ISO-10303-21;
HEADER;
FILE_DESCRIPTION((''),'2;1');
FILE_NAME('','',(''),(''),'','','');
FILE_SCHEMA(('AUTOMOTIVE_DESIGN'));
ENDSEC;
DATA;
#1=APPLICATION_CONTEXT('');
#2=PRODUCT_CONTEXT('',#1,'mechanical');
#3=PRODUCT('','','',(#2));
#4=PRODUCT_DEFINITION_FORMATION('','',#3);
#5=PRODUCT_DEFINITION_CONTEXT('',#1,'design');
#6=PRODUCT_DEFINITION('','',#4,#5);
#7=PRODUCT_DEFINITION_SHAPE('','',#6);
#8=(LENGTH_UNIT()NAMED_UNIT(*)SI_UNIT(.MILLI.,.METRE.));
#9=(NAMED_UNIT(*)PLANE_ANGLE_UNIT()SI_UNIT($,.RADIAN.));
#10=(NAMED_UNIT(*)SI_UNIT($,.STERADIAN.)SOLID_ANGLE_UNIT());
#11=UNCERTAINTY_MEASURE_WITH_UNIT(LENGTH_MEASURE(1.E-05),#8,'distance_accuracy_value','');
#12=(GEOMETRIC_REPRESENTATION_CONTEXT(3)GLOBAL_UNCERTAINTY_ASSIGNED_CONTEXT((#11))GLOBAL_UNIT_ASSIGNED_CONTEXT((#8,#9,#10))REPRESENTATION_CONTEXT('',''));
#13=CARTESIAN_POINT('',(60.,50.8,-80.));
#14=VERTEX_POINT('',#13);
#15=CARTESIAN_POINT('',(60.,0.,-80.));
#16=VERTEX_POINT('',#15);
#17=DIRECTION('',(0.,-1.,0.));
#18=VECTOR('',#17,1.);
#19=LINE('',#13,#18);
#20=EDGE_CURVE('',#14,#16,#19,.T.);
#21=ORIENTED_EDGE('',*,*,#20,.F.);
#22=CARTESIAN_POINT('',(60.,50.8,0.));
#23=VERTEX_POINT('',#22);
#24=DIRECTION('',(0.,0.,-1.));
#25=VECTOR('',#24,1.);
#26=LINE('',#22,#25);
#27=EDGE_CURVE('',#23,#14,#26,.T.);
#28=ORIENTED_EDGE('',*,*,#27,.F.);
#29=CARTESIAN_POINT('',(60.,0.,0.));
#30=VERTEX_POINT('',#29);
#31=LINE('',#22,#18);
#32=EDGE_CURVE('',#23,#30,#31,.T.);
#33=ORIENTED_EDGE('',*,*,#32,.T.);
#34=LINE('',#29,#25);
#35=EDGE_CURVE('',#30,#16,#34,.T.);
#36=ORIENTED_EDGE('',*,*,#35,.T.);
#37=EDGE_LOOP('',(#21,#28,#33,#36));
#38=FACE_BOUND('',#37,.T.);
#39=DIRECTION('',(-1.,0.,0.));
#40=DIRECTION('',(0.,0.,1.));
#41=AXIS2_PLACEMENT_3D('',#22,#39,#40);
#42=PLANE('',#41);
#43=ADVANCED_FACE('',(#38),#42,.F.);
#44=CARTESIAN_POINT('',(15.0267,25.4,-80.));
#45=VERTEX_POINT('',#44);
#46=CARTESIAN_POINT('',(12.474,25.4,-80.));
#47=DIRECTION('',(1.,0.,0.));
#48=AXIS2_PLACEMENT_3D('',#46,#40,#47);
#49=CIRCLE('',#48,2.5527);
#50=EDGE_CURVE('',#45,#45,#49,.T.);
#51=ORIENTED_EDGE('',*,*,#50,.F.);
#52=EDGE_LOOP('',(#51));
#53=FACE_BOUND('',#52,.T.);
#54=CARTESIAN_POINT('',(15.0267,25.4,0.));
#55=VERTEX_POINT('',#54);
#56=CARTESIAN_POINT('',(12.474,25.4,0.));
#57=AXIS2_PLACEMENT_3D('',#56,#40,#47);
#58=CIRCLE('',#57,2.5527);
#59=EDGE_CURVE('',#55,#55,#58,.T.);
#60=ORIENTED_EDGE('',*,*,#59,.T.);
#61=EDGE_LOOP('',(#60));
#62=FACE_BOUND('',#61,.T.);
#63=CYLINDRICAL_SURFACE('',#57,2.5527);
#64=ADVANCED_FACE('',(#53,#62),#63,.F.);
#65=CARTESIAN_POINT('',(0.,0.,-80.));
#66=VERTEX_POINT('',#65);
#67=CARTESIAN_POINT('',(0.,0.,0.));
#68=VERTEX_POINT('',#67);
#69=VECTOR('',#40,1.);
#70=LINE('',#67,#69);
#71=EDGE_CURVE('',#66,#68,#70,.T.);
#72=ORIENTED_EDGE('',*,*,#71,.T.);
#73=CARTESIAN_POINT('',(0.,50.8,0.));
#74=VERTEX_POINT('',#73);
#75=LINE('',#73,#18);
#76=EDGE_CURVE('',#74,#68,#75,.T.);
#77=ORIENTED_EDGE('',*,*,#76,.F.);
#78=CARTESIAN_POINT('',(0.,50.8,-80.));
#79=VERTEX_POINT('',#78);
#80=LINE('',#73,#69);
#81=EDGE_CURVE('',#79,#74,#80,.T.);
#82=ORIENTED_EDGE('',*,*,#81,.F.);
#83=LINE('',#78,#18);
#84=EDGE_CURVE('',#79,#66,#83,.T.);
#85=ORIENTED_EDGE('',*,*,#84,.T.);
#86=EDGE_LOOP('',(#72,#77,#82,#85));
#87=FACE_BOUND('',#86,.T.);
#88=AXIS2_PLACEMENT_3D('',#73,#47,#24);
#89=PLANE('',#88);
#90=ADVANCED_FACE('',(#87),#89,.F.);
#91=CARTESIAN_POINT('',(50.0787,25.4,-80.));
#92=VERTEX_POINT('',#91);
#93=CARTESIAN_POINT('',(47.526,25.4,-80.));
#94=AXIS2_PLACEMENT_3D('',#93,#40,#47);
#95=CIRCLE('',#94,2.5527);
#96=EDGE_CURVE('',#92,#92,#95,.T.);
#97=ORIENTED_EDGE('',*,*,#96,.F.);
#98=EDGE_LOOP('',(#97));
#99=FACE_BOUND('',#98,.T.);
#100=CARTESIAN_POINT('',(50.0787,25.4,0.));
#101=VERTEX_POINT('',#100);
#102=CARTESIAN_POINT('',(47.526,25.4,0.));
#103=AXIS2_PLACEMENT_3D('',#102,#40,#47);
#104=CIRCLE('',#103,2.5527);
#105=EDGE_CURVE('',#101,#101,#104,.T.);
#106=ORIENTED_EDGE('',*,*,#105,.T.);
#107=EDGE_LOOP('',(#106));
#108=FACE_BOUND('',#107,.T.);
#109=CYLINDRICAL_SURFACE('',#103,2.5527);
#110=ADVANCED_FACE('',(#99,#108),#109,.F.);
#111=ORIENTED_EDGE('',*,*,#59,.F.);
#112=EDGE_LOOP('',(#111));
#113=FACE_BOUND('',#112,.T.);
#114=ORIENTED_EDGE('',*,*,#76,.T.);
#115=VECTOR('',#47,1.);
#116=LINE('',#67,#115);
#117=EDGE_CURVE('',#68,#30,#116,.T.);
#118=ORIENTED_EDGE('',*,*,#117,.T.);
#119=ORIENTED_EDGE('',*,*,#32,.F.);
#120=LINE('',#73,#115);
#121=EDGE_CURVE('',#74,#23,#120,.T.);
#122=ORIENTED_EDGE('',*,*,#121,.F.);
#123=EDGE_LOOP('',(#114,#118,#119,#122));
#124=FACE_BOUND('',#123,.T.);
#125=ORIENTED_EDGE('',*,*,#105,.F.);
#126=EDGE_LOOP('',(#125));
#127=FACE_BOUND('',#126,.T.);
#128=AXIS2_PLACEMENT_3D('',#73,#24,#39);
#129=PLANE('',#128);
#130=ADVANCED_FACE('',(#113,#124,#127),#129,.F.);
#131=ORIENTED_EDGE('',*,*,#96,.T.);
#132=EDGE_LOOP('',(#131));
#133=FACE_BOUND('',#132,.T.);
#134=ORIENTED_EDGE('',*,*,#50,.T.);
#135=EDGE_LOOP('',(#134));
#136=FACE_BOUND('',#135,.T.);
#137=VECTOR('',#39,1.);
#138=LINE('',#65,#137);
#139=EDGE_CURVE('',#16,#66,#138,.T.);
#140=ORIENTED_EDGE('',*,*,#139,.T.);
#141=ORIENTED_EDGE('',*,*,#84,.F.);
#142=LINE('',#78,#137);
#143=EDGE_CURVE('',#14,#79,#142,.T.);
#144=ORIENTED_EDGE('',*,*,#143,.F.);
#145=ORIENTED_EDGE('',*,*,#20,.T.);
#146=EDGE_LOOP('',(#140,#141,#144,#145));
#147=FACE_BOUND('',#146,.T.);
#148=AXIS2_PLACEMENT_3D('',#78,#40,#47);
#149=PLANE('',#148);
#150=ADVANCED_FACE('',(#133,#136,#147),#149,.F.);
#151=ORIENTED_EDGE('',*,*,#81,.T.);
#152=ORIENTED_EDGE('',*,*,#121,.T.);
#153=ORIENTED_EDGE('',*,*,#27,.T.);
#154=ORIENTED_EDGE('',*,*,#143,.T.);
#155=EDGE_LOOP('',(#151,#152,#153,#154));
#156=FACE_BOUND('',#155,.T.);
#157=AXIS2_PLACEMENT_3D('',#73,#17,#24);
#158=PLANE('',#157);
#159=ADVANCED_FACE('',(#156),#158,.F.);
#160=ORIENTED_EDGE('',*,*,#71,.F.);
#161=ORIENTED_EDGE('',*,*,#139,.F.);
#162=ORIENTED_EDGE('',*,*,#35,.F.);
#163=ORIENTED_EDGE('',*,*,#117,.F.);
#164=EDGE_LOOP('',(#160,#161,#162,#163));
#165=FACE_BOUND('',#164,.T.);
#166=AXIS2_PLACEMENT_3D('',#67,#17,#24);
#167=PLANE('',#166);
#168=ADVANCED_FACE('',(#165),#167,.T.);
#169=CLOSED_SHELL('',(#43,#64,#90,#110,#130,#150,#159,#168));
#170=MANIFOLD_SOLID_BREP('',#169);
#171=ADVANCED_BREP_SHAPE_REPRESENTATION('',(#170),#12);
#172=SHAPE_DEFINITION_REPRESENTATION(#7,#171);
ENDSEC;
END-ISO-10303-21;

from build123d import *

# Parameters (mm, degrees)
SKETCH1_W               = 60
SKETCH1_H               = 80.00000002
BOSS_EXTRUDE1_DEPTH     = 50.8
F_1_4_20_TAPPED_HOLE1_D = 5.1054


with BuildPart() as part:
    # Sketch1 → Boss-Extrude1 (new body)
    with BuildSketch(Plane(origin=(0, 0, 0), x_dir=(1, 0, 0), z_dir=(0, 1, 0))):
        with Locations((30, 40.00000001)):
            Rectangle(SKETCH1_W, SKETCH1_H)
    extrude(amount=BOSS_EXTRUDE1_DEPTH)

    # 1/4-20 Tapped Hole1 (through all)
    with Locations(Plane(origin=(12.474, 25.4, 0), x_dir=(1, 0, 0), z_dir=(0, 0, 1))):
        with Locations((0, 0), (35.052, 0)):
            Hole(F_1_4_20_TAPPED_HOLE1_D / 2)


solid = part.part
